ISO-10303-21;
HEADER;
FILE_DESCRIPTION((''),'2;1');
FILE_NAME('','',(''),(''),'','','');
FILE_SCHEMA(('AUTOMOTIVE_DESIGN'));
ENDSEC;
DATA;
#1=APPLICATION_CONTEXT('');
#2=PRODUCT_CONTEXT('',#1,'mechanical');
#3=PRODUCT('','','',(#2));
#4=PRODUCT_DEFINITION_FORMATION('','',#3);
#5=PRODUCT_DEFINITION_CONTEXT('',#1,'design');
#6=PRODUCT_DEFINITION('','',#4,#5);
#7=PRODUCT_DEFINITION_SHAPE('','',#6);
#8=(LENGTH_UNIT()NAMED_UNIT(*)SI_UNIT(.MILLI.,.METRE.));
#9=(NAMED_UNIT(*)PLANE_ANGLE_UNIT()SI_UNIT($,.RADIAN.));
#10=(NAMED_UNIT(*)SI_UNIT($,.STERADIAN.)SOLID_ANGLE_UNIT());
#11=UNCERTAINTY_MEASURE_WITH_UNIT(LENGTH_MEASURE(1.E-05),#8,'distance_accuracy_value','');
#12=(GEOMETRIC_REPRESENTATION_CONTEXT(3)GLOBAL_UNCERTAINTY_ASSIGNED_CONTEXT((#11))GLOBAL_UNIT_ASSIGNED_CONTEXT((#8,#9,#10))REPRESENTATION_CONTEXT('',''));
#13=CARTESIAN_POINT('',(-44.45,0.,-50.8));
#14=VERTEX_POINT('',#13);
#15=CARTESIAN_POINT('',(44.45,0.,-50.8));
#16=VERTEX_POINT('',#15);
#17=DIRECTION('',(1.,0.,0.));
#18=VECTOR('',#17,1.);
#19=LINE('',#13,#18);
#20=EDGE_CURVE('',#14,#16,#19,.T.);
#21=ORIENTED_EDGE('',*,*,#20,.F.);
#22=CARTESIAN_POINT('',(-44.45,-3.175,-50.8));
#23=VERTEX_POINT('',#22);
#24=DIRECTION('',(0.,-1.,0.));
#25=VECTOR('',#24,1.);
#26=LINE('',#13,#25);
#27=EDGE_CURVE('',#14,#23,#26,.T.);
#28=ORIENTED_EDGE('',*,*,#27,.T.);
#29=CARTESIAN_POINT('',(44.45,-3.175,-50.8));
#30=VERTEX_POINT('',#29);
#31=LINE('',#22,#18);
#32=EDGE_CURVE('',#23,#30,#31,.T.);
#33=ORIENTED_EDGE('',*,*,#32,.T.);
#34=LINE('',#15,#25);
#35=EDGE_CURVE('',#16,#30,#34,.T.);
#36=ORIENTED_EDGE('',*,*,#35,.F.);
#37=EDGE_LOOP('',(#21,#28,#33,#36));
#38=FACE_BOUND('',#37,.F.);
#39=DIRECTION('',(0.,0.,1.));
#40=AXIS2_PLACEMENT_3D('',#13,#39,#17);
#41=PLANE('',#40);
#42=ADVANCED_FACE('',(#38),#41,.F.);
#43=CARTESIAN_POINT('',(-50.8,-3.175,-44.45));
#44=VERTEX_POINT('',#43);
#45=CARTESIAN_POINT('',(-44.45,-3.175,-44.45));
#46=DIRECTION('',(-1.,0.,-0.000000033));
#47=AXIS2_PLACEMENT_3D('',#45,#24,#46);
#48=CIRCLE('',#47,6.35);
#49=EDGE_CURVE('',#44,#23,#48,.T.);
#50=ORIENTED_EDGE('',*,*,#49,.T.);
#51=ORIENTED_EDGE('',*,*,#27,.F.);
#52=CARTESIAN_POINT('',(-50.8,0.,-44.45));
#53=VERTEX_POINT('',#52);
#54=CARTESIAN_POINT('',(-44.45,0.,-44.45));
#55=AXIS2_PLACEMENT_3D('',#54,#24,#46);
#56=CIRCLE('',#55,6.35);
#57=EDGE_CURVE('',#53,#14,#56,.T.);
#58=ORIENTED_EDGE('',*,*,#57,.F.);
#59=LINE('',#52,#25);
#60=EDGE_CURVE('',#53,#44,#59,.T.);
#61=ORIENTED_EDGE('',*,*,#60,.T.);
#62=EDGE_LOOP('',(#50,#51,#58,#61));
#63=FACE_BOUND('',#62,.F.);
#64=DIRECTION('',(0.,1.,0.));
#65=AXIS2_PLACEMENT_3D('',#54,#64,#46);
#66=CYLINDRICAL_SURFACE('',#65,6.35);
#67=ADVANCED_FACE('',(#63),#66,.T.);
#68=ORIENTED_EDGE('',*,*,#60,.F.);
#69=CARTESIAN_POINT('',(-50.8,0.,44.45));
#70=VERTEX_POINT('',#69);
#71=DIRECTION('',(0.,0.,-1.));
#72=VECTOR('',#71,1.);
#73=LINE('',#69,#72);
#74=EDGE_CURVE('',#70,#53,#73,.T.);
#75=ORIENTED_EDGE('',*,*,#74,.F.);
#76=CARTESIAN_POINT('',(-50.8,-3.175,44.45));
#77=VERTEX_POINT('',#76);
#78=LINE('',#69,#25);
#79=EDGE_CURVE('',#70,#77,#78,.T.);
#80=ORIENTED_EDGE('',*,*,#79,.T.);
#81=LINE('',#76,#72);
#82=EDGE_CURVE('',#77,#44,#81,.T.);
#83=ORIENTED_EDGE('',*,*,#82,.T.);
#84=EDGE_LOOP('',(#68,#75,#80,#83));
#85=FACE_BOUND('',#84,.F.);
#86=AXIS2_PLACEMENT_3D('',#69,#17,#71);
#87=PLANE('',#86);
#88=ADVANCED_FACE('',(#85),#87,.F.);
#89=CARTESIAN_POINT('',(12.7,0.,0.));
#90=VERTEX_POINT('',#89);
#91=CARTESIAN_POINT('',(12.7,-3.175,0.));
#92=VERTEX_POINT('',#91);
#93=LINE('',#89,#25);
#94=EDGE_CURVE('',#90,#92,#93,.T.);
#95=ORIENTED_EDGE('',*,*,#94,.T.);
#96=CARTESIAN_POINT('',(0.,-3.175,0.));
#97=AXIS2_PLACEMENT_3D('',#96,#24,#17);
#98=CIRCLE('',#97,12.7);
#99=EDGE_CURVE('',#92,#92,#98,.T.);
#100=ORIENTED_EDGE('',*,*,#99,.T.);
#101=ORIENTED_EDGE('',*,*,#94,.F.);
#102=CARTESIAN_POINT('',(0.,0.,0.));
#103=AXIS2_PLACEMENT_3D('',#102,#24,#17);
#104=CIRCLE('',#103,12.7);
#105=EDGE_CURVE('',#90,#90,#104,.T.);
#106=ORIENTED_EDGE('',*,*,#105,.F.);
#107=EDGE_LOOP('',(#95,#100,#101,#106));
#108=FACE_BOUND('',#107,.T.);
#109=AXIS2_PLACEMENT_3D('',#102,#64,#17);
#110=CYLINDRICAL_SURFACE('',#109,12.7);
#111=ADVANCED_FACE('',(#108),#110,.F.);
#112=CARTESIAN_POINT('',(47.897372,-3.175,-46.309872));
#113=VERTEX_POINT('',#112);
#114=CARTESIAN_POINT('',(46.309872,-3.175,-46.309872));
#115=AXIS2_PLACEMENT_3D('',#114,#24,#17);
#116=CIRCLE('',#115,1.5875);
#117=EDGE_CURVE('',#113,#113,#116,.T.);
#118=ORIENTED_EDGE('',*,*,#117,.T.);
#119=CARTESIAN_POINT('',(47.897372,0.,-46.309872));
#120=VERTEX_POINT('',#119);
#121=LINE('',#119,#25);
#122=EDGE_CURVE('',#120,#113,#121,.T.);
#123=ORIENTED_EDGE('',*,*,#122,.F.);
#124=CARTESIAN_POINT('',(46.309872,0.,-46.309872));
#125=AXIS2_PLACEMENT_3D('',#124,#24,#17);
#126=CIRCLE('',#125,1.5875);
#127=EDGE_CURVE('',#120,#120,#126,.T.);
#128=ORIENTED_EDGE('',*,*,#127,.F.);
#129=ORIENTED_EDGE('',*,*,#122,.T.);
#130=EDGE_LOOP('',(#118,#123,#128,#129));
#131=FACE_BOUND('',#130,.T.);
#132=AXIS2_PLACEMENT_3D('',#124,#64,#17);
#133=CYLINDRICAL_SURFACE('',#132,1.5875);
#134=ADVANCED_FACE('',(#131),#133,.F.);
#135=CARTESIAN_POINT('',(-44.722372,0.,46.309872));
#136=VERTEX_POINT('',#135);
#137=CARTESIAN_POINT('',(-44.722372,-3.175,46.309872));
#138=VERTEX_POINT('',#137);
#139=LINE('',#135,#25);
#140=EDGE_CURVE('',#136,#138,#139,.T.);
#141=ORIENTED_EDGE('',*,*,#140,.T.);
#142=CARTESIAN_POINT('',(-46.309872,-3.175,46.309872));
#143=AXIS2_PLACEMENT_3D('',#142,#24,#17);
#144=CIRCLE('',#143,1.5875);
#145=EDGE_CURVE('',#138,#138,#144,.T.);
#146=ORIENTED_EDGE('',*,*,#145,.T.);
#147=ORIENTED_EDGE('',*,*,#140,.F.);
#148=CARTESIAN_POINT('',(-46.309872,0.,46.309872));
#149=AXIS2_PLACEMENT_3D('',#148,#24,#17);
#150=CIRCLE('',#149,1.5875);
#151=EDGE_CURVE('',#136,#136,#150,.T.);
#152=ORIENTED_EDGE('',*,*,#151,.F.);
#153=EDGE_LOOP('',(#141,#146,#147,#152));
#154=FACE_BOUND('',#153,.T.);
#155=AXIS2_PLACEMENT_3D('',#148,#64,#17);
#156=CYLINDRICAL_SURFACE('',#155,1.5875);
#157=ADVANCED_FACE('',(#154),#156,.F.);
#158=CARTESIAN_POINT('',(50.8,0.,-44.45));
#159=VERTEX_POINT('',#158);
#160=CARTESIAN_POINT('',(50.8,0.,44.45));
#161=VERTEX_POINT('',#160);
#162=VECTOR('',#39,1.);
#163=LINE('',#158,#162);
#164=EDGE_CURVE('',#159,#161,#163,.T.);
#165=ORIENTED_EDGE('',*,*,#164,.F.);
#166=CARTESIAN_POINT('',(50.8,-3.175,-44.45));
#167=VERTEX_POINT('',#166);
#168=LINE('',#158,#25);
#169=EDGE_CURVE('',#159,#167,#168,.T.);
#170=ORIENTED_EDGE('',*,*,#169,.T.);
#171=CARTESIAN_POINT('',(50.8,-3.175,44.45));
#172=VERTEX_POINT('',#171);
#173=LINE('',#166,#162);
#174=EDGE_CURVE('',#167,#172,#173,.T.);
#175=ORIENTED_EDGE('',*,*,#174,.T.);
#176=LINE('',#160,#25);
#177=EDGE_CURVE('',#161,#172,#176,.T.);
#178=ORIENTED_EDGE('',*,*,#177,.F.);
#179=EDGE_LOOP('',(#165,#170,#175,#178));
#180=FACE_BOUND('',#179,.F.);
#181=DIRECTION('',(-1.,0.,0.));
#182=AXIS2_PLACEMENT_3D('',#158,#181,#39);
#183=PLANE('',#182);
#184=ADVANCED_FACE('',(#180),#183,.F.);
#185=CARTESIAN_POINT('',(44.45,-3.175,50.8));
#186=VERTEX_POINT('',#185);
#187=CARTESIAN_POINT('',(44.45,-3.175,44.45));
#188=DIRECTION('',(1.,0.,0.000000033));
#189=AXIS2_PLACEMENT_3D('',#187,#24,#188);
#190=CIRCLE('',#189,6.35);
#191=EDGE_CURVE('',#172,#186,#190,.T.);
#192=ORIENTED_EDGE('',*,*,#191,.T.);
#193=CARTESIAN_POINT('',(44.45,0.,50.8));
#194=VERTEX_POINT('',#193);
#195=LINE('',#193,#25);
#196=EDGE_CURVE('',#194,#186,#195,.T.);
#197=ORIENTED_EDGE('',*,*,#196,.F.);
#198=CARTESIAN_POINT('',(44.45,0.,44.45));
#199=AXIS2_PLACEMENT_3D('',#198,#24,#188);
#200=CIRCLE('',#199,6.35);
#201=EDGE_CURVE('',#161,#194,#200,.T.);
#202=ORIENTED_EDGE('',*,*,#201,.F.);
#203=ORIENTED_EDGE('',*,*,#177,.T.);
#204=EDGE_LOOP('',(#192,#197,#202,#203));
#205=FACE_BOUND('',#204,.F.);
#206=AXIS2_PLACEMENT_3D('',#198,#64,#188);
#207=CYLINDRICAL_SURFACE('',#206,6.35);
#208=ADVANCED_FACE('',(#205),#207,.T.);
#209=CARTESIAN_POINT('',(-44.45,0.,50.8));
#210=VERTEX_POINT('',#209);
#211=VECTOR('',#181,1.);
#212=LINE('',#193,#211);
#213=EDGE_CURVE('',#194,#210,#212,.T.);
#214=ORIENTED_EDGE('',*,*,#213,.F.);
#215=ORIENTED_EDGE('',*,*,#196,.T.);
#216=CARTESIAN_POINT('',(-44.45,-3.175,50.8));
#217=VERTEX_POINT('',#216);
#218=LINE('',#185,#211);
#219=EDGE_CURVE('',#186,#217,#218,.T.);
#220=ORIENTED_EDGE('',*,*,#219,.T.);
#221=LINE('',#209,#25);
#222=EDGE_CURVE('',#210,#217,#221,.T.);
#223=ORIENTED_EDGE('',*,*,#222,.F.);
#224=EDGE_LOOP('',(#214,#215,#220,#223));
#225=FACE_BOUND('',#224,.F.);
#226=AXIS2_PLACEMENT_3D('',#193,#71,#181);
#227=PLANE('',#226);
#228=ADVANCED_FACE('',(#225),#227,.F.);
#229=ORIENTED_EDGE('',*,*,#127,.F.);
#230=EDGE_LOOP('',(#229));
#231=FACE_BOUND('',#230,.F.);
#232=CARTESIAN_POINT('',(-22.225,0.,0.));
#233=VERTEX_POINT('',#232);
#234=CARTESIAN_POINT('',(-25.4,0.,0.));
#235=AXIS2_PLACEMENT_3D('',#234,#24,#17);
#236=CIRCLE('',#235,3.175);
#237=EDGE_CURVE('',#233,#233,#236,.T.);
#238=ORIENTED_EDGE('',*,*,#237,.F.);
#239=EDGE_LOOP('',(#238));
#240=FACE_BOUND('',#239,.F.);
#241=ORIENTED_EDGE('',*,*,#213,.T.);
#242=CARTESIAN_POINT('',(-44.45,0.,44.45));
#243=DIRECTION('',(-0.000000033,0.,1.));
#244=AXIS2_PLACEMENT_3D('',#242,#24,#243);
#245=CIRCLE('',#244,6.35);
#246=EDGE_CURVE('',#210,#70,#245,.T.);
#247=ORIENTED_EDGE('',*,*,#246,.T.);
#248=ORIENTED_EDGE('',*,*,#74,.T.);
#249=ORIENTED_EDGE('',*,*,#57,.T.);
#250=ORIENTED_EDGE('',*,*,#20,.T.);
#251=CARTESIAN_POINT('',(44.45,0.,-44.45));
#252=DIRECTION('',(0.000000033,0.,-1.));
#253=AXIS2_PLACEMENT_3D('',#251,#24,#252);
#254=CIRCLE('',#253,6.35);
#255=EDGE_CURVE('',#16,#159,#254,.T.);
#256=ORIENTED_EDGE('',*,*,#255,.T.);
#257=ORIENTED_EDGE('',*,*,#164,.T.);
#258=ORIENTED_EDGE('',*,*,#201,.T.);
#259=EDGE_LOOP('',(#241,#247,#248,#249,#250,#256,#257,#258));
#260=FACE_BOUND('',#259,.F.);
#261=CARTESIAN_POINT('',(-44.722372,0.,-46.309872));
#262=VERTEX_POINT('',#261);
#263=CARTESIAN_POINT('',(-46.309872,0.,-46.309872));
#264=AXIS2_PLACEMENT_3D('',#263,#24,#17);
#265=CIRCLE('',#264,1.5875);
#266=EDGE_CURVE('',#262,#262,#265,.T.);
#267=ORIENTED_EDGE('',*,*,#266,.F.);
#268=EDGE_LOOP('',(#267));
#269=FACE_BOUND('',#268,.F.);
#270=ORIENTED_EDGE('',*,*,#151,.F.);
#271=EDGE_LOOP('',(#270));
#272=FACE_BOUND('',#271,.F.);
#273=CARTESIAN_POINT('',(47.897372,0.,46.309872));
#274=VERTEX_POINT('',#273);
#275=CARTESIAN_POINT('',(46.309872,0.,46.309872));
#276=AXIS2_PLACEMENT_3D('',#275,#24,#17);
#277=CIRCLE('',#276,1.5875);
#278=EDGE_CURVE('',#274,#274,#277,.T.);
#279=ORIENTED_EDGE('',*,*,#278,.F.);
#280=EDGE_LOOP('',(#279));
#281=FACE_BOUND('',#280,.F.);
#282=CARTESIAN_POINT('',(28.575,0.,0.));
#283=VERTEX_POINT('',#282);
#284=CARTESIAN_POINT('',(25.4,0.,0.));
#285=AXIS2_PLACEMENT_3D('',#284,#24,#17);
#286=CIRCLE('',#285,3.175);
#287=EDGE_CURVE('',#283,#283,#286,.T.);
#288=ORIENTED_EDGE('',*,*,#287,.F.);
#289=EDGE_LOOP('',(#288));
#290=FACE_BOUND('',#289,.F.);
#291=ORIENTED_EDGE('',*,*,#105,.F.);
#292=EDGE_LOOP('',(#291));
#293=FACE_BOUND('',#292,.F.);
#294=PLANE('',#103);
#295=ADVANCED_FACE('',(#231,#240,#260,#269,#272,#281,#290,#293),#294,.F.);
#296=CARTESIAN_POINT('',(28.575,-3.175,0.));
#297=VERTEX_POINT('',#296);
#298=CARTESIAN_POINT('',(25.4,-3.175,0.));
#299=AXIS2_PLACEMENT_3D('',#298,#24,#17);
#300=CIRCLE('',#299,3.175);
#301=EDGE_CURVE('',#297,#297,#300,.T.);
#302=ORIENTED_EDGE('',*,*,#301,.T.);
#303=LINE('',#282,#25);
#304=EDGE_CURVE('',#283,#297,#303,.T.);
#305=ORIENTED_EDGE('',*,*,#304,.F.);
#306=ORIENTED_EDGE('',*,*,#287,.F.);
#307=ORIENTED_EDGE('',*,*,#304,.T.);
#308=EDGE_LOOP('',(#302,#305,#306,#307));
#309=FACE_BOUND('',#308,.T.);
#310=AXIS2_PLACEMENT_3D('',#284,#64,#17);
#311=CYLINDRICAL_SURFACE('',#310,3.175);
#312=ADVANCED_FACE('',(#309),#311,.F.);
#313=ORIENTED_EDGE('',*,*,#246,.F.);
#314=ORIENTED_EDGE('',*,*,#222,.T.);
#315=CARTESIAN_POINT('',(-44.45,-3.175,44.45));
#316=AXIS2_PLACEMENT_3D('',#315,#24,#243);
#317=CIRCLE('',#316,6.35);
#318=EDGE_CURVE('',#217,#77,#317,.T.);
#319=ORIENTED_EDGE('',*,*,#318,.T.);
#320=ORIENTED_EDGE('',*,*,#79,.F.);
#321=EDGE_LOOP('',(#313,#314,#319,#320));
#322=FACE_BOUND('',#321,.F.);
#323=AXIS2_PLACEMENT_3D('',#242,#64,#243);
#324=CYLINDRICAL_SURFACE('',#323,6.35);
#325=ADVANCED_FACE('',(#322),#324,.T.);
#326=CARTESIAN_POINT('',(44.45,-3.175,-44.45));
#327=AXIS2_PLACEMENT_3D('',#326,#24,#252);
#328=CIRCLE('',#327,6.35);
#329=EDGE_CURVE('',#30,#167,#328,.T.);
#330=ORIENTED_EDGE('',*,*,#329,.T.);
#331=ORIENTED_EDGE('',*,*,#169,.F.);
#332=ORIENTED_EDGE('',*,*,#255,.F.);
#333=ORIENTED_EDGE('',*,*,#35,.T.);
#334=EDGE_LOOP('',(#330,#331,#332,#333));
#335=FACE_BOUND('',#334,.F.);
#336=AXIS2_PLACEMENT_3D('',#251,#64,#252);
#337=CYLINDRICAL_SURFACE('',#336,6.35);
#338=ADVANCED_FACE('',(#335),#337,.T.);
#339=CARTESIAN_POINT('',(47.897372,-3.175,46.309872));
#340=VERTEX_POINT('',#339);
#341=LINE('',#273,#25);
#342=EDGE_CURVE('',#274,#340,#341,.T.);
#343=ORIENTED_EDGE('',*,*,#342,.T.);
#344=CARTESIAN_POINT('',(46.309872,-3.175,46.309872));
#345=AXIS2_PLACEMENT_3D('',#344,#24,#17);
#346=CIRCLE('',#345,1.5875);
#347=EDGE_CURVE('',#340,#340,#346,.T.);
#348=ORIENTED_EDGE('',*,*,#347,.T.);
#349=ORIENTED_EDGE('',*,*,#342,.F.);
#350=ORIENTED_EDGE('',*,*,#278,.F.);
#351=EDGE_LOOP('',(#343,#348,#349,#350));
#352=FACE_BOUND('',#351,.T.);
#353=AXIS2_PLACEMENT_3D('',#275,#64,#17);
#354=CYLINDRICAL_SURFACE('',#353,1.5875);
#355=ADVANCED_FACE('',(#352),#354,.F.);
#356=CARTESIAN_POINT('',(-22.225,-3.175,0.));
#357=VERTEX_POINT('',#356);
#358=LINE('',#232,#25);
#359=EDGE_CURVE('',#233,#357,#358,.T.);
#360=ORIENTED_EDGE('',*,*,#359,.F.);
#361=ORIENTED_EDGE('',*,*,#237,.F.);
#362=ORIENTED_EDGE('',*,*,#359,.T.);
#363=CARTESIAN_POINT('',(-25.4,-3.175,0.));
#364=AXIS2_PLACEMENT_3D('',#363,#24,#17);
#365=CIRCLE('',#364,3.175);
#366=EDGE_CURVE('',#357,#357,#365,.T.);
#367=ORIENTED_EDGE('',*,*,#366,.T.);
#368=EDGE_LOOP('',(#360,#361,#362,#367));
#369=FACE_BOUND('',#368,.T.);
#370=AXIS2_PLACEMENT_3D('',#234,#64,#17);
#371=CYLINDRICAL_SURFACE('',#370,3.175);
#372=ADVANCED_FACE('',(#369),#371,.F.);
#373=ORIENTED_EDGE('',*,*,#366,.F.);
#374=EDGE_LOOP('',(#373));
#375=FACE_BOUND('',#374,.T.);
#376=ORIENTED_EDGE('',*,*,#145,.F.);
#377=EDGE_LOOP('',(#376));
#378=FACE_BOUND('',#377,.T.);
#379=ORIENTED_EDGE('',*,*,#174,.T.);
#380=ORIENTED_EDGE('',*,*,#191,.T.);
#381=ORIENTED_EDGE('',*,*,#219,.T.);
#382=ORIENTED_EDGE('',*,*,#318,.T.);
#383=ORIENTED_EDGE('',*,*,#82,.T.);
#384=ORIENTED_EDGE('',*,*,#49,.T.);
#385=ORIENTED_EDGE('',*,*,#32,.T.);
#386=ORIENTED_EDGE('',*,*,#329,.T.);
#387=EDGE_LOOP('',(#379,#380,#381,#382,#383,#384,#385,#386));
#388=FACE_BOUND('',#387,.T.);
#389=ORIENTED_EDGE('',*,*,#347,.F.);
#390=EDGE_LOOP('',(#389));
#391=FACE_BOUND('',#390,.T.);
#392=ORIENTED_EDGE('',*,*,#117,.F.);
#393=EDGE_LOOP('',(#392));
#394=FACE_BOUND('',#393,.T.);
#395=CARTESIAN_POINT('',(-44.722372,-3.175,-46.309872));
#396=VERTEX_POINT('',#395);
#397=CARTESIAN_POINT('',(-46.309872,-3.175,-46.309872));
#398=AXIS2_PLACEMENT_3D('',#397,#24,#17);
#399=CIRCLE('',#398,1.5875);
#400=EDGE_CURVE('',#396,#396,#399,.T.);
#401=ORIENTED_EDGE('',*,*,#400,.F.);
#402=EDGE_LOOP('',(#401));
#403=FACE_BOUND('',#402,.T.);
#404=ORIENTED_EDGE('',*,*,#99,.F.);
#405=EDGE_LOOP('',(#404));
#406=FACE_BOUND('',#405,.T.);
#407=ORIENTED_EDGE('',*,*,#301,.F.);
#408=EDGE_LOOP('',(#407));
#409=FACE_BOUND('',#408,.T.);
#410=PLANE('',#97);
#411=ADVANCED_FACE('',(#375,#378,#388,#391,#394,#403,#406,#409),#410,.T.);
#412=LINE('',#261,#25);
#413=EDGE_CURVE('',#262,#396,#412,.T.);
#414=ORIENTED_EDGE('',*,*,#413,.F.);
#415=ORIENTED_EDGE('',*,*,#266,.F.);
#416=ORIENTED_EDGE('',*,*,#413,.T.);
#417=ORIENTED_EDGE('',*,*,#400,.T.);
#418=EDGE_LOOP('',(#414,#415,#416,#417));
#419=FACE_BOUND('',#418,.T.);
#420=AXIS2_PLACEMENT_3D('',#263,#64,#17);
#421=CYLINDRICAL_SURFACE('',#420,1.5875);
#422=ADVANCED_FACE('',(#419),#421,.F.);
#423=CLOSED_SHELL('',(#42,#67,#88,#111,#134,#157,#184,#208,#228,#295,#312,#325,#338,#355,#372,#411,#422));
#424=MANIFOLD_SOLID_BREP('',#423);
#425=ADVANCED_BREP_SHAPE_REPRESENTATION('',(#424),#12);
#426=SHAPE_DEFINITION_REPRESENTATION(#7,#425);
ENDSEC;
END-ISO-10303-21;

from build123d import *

# Parameters (mm, degrees)
F0_R     = 1.5875
F0_R_2   = 3.175
F0_R_3   = 12.7
F1_DEPTH = 3.175


with BuildPart() as f1:
    # F0 (on Front) → F1 (new body)
    with BuildSketch(Plane.XZ):
        with BuildLine():
            Line((-44.45, -50.8), (44.45, -50.8))
            ThreePointArc((44.45, -50.8), (48.940128, -48.940128), (50.8, -44.45))
            Line((50.8, -44.45), (50.8, 44.45))
            ThreePointArc((50.8, 44.45), (48.940128, 48.940128), (44.45, 50.8))
            Line((44.45, 50.8), (-44.45, 50.8))
            ThreePointArc((-44.45, 50.8), (-48.940128, 48.940128), (-50.8, 44.45))
            Line((-50.8, 44.45), (-50.8, -44.45))
            ThreePointArc((-50.8, -44.45), (-48.940128, -48.940128), (-44.45, -50.8))
        make_face()
        with Locations((-46.309872, -46.309872)):
            Circle(F0_R, mode=Mode.SUBTRACT)
        with Locations((-25.4, 0)):
            Circle(F0_R_2, mode=Mode.SUBTRACT)
        Circle(F0_R_3, mode=Mode.SUBTRACT)
        with Locations((46.309872, -46.309872)):
            Circle(F0_R, mode=Mode.SUBTRACT)
        with Locations((25.4, 0)):
            Circle(F0_R_2, mode=Mode.SUBTRACT)
        with Locations((-46.309872, 46.309872)):
            Circle(F0_R, mode=Mode.SUBTRACT)
        with Locations((46.309872, 46.309872)):
            Circle(F0_R, mode=Mode.SUBTRACT)
    extrude(amount=F1_DEPTH)


solid = f1.part
